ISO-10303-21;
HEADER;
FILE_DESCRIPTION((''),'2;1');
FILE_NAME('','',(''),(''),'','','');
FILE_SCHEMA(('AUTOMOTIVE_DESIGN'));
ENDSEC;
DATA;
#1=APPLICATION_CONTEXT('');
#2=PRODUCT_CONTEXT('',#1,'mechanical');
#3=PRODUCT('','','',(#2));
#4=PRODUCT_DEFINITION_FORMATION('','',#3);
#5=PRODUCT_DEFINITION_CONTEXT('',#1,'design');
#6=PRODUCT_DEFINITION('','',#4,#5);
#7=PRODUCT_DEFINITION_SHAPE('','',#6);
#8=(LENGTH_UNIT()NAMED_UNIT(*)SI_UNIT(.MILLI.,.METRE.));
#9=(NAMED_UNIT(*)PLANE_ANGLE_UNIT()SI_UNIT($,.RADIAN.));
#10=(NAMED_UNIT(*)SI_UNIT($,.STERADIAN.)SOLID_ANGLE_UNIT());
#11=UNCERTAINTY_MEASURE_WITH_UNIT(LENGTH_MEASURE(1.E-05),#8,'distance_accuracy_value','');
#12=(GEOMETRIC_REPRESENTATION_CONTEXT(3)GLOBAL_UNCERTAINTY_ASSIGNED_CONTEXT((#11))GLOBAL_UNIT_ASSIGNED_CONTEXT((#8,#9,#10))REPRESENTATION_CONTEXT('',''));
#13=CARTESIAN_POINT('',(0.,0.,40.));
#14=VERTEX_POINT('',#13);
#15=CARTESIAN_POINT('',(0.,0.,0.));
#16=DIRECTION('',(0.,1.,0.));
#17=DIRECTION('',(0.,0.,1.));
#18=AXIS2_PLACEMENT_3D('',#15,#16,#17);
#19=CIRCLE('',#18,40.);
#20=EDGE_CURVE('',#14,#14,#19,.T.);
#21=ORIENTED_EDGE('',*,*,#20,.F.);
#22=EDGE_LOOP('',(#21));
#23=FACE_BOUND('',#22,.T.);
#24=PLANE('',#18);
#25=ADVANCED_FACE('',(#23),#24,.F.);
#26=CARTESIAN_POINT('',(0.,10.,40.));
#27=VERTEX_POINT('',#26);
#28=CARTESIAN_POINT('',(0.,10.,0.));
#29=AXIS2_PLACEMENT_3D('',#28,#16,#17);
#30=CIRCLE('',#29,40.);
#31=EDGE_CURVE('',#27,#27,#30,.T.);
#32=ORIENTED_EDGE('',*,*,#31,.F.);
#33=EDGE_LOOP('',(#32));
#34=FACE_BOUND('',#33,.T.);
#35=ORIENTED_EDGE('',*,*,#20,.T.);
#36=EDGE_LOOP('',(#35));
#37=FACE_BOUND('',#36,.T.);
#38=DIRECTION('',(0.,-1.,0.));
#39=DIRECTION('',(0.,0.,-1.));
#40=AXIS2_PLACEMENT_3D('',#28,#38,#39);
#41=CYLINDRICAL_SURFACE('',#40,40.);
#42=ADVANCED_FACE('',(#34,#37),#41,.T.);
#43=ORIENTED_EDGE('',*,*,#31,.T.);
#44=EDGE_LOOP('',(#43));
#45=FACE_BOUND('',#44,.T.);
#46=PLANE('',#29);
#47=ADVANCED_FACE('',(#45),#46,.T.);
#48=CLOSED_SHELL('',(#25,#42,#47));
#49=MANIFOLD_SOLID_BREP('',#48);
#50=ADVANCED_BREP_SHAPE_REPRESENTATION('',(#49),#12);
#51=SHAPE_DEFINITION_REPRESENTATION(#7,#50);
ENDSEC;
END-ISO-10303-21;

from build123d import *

# Parameters (mm, degrees)
SKETCH1_R           = 40
BOSS_EXTRUDE1_DEPTH = 10


with BuildPart() as part:
    # Sketch1 → Boss-Extrude1 (new body)
    with BuildSketch(Plane(origin=(0, 0, 0), x_dir=(1, 0, 0), z_dir=(0, 1, 0))):
        Circle(SKETCH1_R)
    extrude(amount=BOSS_EXTRUDE1_DEPTH)


solid = part.part
